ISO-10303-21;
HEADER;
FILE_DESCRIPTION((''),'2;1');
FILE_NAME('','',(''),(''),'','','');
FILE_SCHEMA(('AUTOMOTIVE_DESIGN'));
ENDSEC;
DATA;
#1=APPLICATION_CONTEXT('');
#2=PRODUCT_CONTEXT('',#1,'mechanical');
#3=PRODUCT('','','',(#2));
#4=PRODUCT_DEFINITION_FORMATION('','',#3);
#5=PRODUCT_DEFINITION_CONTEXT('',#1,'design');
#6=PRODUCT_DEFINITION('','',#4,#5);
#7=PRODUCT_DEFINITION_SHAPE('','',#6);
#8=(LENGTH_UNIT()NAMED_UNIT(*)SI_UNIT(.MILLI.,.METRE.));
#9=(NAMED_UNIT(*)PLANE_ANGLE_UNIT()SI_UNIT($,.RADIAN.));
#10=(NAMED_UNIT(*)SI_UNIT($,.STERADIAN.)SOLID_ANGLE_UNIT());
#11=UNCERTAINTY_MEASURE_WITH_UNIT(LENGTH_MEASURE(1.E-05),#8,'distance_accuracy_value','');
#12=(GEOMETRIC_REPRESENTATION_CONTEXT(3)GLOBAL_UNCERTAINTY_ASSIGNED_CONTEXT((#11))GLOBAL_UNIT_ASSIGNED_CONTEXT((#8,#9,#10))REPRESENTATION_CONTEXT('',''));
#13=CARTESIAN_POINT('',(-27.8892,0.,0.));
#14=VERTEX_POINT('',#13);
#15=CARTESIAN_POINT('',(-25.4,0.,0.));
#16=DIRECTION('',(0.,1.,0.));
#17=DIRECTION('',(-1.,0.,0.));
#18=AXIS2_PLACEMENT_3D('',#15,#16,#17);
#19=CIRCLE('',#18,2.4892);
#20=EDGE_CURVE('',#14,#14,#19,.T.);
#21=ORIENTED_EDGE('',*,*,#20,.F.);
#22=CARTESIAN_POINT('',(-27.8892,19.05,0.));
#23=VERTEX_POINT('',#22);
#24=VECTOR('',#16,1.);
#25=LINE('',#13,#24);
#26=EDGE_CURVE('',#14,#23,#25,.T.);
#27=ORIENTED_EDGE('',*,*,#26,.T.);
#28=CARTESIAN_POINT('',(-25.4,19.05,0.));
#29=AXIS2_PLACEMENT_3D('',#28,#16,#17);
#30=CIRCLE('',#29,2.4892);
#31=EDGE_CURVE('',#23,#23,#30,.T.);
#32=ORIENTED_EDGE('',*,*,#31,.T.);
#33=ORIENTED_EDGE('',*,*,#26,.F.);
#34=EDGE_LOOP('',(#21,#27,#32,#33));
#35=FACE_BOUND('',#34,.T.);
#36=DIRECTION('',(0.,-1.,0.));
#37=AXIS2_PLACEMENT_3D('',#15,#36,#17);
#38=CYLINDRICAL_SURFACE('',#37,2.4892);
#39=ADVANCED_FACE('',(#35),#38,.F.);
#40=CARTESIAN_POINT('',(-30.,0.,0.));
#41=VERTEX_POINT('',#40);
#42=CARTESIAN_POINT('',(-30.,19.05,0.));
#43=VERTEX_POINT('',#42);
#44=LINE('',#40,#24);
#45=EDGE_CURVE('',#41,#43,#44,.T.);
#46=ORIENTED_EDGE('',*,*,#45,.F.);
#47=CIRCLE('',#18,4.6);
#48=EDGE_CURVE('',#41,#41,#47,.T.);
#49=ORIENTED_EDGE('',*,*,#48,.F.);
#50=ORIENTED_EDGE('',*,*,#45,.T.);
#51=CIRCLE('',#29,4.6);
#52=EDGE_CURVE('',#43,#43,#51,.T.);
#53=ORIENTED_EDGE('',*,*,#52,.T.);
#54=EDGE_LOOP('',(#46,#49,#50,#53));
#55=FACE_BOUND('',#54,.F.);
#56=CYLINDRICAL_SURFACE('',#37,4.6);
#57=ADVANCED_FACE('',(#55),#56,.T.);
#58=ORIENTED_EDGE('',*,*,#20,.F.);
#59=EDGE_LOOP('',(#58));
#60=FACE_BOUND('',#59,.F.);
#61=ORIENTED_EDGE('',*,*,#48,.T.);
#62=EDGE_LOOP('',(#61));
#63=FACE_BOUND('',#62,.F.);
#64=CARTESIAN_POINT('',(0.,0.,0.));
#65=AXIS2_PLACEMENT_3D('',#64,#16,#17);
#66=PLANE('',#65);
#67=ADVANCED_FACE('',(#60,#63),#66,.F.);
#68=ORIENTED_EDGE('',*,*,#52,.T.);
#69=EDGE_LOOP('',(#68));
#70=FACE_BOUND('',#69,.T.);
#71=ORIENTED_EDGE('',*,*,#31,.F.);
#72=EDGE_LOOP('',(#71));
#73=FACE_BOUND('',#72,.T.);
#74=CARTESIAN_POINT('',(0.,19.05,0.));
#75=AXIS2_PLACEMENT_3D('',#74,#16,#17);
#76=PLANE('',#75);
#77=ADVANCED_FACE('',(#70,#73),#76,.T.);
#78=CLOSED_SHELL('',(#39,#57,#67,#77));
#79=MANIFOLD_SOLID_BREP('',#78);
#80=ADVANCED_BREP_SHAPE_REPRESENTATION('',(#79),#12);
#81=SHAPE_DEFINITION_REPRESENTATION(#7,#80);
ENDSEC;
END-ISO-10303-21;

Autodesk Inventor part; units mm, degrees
ref_plane "YZ Plane" through (0, 0, 0) normal (1, 0, 0) x (0, 1, 0)
ref_plane "XZ Plane" through (0, 0, 0) normal (0, 1, 0) x (-1, 0, 0)
ref_plane "XY Plane" through (0, 0, 0) normal (0, 0, 1) x (1, 0, 0)
sketch "Sketch1" plane through (0, 0, 0) normal (0, 1, 0) x (-1, 0, 0)
  circle A0 centre (0, 0) radius 25.4 construction
  circle A1 centre (0, 0) radius 30 construction
  circle A2 centre (25.4, 0) radius 2.4892
  circle A3 centre (25.4, 0) radius 4.6
  dimension "d0" = 50.8
  dimension "d1" = 60
  dimension "d2" = 4.9784
extrude "Extrusion1" add sketch "Sketch1" along normal blind 19.05
properties part number "CORL_011_NEOStandoff" material "Aluminum 6061"
